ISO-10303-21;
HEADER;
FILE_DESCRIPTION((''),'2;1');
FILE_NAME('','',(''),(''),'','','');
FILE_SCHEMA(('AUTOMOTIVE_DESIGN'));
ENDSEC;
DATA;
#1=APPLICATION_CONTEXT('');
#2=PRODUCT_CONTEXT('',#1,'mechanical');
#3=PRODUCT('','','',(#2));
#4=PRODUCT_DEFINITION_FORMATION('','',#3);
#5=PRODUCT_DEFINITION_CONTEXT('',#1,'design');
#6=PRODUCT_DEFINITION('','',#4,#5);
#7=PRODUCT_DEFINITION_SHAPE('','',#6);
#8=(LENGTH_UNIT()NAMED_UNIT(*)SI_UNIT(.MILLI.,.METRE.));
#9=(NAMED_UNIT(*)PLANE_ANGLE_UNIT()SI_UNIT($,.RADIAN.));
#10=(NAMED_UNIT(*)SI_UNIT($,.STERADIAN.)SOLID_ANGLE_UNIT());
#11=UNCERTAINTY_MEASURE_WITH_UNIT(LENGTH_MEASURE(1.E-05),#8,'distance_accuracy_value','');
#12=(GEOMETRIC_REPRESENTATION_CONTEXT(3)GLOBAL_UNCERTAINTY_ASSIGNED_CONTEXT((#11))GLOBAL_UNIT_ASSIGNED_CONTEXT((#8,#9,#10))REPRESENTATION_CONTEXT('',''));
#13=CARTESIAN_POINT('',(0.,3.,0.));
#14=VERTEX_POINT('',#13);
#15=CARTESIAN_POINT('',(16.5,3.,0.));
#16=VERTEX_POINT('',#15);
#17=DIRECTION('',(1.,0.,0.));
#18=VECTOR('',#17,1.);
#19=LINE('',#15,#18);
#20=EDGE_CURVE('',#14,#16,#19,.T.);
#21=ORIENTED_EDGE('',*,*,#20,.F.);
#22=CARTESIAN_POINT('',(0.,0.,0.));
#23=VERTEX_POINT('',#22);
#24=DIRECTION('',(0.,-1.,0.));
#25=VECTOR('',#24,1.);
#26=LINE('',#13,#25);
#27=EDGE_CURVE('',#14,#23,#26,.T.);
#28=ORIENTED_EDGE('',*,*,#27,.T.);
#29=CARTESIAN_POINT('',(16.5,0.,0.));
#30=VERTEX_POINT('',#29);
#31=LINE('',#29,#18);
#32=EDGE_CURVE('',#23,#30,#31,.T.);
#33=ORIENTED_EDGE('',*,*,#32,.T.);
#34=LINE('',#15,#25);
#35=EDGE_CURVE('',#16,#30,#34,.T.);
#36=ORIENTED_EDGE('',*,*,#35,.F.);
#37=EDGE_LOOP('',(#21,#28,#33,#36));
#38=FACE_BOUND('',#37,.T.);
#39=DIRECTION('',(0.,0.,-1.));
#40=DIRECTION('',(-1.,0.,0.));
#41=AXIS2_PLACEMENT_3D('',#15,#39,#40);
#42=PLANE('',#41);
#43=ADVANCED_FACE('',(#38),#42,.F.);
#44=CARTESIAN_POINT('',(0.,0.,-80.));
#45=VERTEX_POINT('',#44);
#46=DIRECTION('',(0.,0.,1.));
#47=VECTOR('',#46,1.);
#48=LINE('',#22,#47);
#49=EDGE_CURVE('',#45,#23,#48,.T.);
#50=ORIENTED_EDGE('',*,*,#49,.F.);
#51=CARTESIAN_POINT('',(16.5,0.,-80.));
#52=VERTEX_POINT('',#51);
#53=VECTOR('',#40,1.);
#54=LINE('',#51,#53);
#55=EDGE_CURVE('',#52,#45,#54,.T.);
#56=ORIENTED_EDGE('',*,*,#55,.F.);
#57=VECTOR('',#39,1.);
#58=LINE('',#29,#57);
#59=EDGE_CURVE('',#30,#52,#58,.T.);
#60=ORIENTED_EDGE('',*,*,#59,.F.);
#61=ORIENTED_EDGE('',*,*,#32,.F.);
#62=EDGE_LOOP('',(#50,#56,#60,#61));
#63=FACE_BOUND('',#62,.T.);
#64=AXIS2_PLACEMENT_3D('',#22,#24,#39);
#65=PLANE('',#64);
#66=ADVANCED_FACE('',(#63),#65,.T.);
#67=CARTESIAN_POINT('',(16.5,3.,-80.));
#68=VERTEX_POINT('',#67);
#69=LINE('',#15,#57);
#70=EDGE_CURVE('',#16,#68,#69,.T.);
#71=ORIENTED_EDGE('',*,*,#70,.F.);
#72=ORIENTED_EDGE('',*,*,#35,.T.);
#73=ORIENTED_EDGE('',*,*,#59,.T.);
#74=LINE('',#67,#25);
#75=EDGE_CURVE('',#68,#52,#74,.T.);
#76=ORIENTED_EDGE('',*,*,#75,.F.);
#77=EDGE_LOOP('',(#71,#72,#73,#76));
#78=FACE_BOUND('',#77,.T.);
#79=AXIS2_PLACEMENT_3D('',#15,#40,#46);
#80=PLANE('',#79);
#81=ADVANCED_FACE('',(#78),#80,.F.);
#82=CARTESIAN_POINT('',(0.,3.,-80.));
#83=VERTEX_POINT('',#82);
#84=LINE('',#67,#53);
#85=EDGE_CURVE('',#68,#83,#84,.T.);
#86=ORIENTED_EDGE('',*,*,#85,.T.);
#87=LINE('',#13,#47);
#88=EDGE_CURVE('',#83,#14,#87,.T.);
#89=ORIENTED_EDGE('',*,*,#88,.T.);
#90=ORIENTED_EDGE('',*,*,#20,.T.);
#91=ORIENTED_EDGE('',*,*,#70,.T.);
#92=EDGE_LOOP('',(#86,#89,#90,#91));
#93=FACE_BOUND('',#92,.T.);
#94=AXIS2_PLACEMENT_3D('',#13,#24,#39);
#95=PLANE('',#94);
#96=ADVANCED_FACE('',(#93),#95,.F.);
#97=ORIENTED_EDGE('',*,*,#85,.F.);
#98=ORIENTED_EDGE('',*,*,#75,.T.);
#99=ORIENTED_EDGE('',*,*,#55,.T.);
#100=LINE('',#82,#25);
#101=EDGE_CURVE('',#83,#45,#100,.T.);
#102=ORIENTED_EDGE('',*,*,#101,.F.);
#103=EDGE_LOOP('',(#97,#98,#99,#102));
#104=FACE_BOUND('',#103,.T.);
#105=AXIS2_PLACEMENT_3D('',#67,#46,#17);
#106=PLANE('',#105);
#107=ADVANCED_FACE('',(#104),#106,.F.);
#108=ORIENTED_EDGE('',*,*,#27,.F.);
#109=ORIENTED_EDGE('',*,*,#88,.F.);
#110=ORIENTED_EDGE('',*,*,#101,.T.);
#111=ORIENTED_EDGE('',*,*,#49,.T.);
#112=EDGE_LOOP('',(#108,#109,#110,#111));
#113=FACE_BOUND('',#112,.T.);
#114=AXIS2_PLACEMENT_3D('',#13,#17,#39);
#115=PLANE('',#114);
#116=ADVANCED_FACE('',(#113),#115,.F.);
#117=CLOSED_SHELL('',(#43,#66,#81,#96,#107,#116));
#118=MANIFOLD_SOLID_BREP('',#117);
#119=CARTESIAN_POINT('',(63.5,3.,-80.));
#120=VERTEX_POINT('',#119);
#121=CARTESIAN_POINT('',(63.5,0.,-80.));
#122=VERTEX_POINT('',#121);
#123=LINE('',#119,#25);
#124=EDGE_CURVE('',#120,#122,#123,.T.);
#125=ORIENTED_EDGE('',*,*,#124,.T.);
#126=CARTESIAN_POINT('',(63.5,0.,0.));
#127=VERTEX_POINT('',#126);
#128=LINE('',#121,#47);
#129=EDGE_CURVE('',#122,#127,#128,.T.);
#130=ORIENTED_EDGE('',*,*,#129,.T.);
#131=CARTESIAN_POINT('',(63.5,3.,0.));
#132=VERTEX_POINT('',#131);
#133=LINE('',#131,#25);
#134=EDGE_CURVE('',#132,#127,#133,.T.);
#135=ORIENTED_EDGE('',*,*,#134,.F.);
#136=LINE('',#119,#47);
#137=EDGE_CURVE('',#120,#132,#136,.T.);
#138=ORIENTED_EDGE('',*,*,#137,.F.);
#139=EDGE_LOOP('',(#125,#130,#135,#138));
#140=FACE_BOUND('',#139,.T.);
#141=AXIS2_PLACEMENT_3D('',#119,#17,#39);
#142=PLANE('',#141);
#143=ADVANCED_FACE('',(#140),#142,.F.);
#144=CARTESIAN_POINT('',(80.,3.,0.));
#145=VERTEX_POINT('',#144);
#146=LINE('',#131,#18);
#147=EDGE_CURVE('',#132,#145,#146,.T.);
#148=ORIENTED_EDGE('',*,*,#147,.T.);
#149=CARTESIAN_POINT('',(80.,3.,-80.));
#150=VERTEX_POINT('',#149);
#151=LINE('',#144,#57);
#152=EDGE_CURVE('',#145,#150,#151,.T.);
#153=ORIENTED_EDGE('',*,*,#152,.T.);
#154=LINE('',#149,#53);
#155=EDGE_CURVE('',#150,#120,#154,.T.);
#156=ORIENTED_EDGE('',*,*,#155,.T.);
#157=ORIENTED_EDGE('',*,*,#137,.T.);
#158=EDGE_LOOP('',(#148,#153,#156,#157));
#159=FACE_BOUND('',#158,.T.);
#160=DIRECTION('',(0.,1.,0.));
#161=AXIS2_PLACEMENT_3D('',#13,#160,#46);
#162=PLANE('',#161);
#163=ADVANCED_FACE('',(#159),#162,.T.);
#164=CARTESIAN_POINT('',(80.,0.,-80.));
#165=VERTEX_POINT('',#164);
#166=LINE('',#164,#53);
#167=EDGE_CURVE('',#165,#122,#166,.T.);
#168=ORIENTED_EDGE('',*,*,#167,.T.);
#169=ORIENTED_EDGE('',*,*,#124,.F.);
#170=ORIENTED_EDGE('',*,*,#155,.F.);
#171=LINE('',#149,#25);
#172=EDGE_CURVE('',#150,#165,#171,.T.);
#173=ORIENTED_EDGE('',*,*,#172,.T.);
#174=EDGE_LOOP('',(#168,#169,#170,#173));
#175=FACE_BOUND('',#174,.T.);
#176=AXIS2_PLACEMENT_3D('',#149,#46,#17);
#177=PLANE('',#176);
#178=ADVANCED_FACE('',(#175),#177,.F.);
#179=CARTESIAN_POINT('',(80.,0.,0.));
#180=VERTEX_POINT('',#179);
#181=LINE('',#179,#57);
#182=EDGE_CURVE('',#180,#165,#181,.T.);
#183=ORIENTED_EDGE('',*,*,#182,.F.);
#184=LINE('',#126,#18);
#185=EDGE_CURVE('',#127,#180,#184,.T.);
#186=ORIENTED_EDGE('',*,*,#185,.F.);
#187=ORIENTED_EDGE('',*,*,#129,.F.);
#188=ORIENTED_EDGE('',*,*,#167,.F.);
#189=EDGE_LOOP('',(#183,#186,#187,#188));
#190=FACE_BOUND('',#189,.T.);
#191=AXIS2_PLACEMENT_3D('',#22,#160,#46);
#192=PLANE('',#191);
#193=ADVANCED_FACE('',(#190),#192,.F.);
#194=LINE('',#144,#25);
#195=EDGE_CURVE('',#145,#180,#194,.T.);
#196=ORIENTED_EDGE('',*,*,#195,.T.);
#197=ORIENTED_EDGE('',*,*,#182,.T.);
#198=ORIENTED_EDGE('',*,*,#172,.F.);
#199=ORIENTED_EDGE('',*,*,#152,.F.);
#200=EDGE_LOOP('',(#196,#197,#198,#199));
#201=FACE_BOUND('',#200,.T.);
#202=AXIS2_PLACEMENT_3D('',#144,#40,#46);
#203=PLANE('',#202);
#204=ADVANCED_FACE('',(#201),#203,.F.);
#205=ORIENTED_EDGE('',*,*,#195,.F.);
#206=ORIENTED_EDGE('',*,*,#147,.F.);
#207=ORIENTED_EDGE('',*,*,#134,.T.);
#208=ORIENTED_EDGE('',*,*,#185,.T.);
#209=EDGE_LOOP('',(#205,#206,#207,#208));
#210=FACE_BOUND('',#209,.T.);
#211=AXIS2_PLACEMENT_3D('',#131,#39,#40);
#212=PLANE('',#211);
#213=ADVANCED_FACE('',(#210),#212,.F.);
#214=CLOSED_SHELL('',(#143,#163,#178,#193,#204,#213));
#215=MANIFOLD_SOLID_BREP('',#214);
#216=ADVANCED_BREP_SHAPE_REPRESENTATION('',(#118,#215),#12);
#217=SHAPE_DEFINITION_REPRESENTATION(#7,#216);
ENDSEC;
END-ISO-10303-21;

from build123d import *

# Parameters (mm, degrees)
SKETCH1_W             = 16.5
SKETCH1_H             = 80
BOSS_EXTRUDE1_DEPTH   = 3
BOSS_EXTRUDE1_2_DEPTH = 3


with BuildPart() as part:
    # Sketch1 → Boss-Extrude1 (new body)
    with BuildSketch(Plane(origin=(0, 0, 0), x_dir=(1, 0, 0), z_dir=(0, 1, 0))):
        with Locations((8.25, 40)):
            Rectangle(SKETCH1_W, SKETCH1_H)
    extrude(amount=BOSS_EXTRUDE1_DEPTH)


with BuildPart() as body_2:
    # Sketch1 → Boss-Extrude1 2 (new body)
    with BuildSketch(Plane(origin=(0, 0, 0), x_dir=(1, 0, 0), z_dir=(0, 1, 0))):
        with Locations((71.75, 40)):
            Rectangle(SKETCH1_W, SKETCH1_H)
    extrude(amount=BOSS_EXTRUDE1_2_DEPTH)


solid = Compound([part.part, body_2.part])
